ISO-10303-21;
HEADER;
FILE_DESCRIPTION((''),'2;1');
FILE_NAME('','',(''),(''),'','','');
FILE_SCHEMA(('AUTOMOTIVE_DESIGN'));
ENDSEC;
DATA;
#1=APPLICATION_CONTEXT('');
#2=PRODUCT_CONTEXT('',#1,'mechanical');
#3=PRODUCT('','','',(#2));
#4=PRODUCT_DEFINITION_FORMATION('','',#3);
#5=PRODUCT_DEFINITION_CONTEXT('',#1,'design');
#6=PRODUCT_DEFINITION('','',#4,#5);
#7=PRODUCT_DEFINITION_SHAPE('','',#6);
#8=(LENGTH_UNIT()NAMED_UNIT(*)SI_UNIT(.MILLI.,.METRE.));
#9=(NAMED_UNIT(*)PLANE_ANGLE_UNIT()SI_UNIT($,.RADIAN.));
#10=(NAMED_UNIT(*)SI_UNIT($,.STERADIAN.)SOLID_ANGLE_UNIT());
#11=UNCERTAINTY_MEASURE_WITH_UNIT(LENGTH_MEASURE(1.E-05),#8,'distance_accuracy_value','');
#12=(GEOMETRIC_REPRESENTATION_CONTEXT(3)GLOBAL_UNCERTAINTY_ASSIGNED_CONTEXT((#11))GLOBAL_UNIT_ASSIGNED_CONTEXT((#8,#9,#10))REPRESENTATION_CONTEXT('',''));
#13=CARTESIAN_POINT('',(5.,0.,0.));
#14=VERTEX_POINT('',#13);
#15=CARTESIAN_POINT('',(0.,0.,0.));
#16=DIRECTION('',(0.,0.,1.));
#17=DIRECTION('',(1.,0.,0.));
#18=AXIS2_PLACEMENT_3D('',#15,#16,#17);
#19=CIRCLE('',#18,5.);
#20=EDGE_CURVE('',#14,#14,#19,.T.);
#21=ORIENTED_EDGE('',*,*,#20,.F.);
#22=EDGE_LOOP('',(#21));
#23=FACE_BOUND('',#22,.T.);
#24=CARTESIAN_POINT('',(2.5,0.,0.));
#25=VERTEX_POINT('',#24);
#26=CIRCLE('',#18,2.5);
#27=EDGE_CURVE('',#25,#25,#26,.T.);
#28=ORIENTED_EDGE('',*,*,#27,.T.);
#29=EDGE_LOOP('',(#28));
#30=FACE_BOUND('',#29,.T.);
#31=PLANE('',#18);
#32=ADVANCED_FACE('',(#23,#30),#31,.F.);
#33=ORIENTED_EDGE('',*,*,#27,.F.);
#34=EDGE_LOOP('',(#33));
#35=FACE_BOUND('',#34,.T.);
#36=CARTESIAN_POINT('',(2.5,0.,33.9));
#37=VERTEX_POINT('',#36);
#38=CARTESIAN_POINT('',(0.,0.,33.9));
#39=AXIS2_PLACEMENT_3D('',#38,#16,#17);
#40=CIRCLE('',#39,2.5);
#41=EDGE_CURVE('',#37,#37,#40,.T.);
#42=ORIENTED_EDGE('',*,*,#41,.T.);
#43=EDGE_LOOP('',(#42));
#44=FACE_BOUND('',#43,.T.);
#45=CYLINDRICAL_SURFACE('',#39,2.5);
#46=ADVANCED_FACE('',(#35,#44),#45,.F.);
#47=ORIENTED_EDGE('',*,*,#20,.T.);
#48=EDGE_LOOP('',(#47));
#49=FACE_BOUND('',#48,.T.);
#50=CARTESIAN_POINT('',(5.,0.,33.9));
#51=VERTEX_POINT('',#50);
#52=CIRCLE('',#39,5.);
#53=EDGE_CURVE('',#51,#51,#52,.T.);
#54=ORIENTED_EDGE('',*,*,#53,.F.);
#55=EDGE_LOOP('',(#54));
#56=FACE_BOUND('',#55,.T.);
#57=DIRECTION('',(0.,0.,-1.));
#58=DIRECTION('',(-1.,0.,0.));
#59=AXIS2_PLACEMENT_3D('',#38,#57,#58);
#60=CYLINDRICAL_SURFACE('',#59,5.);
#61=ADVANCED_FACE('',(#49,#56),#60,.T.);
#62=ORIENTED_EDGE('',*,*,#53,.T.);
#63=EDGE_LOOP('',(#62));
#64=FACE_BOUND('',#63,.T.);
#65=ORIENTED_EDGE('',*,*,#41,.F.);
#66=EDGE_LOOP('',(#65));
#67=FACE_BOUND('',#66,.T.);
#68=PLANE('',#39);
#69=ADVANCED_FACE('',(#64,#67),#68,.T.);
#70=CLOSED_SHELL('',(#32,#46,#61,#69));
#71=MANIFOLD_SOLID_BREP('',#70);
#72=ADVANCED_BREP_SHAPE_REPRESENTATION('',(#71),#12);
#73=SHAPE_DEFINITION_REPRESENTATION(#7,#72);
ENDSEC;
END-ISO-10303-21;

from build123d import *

# Parameters (mm, degrees)
SKETCH1_R                 = 5
BOSS_EXTRUDE1_DEPTH       = 33.9
F_5_0MM_DOWEL_HOLE1_D     = 5
F_5_0MM_DOWEL_HOLE1_DEPTH = 33.9


with BuildPart() as part:
    # Sketch1 → Boss-Extrude1 (new body)
    with BuildSketch(Plane.XY):
        Circle(SKETCH1_R)
    extrude(amount=BOSS_EXTRUDE1_DEPTH)

    # Ø5.0mm Dowel Hole1
    with Locations(Plane.XY.offset(33.9)):
        with Locations((0, 0)):
            Hole(F_5_0MM_DOWEL_HOLE1_D / 2, depth=F_5_0MM_DOWEL_HOLE1_DEPTH)


solid = part.part
